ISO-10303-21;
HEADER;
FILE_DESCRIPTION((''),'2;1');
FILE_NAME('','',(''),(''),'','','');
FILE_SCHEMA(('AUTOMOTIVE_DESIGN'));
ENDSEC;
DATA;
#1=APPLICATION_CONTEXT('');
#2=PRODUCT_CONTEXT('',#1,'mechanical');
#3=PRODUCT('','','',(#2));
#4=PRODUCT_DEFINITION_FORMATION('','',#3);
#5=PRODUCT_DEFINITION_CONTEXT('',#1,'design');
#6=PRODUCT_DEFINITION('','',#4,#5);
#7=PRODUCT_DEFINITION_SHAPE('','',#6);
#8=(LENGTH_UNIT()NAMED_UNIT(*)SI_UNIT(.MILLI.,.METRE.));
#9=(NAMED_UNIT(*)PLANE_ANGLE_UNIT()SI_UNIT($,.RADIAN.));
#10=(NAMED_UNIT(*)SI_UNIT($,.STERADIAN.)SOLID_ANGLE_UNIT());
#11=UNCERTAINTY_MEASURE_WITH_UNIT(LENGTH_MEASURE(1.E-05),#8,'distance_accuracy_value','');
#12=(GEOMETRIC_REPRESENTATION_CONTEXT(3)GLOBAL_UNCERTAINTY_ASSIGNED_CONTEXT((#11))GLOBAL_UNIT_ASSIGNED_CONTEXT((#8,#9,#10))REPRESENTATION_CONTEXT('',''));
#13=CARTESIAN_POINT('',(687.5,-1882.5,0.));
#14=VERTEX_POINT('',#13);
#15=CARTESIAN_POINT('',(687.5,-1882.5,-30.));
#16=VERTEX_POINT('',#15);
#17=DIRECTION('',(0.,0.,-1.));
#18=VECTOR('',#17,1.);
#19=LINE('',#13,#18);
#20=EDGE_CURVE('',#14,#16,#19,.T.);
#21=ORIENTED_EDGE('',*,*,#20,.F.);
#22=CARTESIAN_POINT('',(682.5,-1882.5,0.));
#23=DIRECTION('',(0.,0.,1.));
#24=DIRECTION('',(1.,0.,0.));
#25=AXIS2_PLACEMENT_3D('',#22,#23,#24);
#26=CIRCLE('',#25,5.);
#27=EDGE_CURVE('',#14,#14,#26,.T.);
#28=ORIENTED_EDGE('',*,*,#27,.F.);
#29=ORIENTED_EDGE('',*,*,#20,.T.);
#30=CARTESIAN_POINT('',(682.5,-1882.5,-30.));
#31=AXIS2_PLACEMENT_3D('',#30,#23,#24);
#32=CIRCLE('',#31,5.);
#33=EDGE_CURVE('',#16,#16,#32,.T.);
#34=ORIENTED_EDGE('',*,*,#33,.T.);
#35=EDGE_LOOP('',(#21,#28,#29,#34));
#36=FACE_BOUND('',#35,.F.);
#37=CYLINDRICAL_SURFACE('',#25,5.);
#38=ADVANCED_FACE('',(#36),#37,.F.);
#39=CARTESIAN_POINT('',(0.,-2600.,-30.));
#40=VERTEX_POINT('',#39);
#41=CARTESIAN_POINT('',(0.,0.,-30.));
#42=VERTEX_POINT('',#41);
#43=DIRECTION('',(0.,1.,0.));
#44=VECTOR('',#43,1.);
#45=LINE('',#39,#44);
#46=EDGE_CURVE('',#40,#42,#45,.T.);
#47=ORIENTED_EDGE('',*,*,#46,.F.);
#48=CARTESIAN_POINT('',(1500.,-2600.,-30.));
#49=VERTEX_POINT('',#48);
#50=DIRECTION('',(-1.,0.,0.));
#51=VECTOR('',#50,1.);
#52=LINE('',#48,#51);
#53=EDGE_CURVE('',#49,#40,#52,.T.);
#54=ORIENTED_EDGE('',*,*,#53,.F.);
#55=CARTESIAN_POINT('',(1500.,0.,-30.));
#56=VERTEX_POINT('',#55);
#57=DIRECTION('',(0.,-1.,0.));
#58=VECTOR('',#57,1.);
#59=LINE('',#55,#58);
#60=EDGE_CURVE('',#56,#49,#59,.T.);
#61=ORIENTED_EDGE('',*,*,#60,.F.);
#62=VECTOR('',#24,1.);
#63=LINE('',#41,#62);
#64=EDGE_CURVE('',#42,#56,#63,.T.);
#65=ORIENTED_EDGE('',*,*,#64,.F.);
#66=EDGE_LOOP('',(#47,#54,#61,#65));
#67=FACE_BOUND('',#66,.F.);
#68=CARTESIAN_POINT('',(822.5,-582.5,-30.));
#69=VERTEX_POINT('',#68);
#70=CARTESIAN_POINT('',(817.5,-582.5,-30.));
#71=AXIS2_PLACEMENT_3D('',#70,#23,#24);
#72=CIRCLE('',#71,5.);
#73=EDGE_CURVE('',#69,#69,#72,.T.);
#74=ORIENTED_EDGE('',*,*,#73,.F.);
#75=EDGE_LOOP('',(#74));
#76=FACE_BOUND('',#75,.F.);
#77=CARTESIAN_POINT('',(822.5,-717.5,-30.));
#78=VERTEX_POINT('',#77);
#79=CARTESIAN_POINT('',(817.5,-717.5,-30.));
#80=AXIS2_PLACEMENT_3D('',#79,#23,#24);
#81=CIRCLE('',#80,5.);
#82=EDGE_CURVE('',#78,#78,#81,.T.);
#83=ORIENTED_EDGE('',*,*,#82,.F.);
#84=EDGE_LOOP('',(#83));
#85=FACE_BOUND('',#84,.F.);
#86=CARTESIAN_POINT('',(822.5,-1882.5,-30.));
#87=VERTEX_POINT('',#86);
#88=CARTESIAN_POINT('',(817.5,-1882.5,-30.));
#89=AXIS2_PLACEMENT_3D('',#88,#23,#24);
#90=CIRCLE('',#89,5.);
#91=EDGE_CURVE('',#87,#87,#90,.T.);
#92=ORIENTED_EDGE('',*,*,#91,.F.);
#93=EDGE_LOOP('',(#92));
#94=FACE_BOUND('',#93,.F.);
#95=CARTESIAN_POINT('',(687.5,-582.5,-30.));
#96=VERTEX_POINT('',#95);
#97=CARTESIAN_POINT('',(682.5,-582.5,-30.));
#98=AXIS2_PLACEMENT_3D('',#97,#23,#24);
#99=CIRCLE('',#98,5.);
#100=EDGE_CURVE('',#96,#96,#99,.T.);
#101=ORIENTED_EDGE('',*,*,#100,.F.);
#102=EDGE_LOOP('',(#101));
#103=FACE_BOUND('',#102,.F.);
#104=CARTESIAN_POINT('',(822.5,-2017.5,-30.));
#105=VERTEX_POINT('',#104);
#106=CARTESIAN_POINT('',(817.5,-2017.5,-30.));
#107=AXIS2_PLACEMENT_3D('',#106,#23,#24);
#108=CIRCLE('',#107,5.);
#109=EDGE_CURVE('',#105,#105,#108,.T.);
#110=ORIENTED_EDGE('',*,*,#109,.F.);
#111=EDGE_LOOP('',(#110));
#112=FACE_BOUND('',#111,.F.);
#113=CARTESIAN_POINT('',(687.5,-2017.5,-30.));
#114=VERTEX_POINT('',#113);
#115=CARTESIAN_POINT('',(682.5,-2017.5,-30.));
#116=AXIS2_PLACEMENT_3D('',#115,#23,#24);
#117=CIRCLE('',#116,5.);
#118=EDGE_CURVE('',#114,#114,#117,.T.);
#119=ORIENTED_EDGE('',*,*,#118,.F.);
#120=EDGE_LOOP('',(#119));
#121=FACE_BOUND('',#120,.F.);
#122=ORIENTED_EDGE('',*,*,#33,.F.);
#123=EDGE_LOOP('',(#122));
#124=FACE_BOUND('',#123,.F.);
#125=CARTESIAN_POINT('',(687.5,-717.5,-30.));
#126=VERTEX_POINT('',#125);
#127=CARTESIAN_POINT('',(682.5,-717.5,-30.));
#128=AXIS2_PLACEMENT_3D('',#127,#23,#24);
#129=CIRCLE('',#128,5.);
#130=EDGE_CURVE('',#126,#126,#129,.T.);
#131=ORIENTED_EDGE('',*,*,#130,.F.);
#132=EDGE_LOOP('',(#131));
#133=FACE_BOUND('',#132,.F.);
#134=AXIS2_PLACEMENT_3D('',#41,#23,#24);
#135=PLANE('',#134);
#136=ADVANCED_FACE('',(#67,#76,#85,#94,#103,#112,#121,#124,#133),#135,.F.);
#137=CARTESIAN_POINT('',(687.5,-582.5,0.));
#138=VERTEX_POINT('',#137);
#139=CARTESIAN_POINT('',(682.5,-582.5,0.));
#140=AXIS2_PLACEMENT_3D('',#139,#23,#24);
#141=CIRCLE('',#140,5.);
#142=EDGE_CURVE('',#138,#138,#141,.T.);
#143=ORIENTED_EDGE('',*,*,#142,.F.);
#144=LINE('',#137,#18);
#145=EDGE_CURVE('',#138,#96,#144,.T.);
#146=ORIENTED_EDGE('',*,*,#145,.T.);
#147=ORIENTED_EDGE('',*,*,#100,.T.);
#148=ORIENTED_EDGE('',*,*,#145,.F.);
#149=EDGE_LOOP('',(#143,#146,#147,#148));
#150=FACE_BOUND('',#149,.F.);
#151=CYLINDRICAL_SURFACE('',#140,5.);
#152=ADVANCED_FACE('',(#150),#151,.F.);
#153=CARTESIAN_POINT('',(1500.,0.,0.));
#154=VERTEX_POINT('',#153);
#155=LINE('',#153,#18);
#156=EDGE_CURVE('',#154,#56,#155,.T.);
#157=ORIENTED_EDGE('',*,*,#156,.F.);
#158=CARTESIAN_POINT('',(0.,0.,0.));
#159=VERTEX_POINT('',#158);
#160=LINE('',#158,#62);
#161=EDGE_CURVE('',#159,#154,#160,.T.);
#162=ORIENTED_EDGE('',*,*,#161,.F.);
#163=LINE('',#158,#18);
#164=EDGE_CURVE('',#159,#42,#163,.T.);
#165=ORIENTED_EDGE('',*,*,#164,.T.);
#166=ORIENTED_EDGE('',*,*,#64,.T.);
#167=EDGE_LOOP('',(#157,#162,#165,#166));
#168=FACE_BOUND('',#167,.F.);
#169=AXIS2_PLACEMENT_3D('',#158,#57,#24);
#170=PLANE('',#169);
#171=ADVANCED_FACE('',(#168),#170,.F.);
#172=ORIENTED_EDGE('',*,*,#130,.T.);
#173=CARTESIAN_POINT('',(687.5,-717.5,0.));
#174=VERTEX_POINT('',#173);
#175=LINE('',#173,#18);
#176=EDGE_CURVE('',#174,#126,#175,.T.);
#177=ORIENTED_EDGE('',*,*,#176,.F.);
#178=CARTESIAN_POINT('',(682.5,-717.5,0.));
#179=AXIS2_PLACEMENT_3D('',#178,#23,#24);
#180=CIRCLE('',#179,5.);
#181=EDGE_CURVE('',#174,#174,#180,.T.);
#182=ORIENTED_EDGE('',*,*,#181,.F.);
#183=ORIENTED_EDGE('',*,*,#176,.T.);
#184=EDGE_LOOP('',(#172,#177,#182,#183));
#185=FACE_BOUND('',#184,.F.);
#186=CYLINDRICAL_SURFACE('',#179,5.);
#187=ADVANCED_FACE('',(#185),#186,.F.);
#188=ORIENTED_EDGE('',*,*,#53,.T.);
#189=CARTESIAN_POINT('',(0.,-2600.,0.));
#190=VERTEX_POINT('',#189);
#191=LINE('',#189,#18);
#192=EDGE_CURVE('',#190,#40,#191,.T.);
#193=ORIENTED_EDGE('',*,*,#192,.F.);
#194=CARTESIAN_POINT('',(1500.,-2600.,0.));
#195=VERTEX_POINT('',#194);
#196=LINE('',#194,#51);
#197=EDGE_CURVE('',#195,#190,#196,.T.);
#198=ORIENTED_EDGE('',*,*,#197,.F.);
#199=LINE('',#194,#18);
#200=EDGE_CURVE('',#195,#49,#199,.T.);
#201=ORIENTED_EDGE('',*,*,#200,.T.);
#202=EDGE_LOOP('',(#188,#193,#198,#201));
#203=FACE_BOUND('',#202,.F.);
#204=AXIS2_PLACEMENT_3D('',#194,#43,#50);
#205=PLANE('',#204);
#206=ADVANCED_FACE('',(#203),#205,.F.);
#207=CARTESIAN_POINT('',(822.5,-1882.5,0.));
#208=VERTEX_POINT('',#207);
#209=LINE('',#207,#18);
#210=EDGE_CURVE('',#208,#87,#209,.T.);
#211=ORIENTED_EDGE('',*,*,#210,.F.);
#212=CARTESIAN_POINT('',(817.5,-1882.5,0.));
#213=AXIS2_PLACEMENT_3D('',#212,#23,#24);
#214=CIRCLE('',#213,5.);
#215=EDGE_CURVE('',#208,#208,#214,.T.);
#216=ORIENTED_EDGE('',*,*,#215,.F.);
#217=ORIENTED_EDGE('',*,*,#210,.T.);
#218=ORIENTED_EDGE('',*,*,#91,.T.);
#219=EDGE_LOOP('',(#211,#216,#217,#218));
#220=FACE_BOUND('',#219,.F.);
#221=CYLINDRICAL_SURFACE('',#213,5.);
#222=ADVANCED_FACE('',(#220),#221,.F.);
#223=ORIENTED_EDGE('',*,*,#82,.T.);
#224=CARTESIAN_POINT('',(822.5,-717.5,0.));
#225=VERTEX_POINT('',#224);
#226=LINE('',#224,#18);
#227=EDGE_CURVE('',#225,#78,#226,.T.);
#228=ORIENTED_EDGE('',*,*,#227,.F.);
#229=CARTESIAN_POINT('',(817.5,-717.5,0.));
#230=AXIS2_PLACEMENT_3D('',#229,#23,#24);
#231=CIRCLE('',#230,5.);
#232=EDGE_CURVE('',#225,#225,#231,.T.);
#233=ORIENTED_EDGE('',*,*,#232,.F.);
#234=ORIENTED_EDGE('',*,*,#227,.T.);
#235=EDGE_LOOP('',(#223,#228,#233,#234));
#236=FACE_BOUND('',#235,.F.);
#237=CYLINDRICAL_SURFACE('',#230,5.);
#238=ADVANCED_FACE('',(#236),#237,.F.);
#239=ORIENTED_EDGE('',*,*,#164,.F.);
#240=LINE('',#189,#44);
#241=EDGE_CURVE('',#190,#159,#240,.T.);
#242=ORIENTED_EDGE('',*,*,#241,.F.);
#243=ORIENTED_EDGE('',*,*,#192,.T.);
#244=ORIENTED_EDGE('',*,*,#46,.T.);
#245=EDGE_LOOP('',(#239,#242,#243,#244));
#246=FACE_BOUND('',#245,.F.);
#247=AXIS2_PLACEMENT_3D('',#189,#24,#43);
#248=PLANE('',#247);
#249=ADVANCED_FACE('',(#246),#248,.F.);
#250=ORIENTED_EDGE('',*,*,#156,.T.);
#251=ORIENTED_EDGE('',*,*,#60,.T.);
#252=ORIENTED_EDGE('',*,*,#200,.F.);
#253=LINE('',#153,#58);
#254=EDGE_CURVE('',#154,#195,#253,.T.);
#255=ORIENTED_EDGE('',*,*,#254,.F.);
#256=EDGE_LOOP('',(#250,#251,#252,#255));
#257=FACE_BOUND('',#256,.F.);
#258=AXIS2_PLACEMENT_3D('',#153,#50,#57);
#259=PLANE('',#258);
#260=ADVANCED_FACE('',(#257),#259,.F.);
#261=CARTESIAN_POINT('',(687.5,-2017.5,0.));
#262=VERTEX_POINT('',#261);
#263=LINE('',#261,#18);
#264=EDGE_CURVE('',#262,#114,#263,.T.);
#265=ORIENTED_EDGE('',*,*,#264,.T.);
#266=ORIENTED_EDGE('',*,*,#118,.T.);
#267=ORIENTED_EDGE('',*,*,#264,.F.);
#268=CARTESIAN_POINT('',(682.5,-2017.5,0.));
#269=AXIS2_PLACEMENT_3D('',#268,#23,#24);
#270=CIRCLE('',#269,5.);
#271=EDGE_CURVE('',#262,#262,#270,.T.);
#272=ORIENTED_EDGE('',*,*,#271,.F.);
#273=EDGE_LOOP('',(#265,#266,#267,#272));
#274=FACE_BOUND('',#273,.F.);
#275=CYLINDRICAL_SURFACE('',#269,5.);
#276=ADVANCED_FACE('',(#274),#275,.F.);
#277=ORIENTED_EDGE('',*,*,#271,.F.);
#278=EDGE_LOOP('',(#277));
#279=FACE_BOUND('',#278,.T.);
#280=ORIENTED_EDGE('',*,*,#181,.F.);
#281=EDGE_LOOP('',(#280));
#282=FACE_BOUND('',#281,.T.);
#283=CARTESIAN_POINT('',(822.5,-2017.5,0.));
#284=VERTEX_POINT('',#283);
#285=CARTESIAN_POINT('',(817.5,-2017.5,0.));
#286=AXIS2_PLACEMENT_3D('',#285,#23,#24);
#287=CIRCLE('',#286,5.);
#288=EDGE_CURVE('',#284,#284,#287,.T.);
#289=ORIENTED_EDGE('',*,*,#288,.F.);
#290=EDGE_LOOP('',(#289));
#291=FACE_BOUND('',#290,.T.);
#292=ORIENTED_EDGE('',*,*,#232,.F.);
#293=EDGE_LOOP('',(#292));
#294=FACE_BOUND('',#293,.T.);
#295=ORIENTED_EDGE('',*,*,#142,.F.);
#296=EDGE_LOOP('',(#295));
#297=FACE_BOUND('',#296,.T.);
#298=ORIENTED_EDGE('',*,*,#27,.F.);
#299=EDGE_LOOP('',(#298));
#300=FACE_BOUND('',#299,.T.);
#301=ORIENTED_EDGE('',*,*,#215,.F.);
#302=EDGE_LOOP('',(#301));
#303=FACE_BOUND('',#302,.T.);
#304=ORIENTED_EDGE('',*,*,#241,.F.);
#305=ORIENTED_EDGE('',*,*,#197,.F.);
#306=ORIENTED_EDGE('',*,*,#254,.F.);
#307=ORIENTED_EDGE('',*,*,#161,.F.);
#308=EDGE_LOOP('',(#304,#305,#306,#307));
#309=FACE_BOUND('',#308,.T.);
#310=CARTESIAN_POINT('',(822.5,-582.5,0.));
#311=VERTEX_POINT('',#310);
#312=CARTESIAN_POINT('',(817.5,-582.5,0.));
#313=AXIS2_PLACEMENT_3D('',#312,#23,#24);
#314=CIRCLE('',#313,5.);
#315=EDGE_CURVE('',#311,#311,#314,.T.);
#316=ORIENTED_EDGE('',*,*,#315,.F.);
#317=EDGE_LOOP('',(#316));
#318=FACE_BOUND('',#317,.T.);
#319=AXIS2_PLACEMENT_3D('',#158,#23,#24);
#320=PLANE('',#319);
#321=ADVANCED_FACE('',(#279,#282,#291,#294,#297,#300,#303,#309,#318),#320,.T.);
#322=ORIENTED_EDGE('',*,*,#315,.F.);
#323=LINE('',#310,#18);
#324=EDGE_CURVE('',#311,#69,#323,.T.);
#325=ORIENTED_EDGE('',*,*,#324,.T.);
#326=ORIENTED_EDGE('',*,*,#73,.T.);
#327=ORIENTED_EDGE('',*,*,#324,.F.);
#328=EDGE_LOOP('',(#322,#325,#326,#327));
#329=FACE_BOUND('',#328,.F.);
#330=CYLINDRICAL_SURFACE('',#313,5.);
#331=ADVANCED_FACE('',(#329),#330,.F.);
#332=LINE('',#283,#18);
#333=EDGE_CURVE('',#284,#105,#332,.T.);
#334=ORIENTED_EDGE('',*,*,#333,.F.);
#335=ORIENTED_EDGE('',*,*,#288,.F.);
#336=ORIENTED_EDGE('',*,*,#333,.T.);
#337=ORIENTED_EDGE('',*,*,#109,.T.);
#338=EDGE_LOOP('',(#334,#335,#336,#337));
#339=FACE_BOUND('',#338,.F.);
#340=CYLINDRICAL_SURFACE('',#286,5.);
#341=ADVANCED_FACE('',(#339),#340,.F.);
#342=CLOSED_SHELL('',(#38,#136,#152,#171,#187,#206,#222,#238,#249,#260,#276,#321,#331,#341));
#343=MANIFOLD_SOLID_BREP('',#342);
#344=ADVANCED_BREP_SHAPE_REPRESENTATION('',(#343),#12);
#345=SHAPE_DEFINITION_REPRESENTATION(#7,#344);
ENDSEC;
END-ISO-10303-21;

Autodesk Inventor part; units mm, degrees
ref_plane "YZ Plane" through (0, 0, 0) normal (1, 0, 0) x (0, 1, 0)
ref_plane "XZ Plane" through (0, 0, 0) normal (0, 1, 0) x (-1, 0, 0)
ref_plane "XY Plane" through (0, 0, 0) normal (0, 0, 1) x (1, 0, 0)
sketch "Sketch1" plane through (0, 0, 0) normal (0, 0, 1) x (1, 0, 0)
  line L0 (0, 0) -> (1500, 0)
  line L1 (1500, 0) -> (1500, -2600)
  line L2 (1500, -2600) -> (0, -2600)
  line L3 (0, -2600) -> (0, 0)
  line L4 (682.5, -1882.5) -> (817.5, -1882.5) construction
  line L5 (817.5, -1882.5) -> (817.5, -2017.5) construction
  line L6 (817.5, -2017.5) -> (682.5, -2017.5) construction
  line L7 (682.5, -2017.5) -> (682.5, -1882.5) construction
  circle A0 centre (682.5, -1882.5) radius 5
  circle A1 centre (817.5, -1882.5) radius 5
  circle A2 centre (817.5, -2017.5) radius 5
  circle A3 centre (682.5, -2017.5) radius 5
  line L8 (682.5, -1882.5) -> (817.5, -2017.5) construction
  line L9 (817.5, -1882.5) -> (682.5, -2017.5) construction
  circle A4 centre (750, -1950) radius 505 construction
  circle A5 centre (750, -650) radius 505 construction
  line L10 (0, -1300) -> (1500, -1300) construction
  line L11 (682.5, -717.5) -> (817.5, -717.5) construction
  line L12 (817.5, -717.5) -> (817.5, -582.5) construction
  line L13 (817.5, -582.5) -> (682.5, -582.5) construction
  line L14 (682.5, -582.5) -> (682.5, -717.5) construction
  circle A6 centre (682.5, -717.5) radius 5
  circle A7 centre (817.5, -717.5) radius 5
  circle A8 centre (817.5, -582.5) radius 5
  circle A9 centre (682.5, -582.5) radius 5
  line L15 (682.5, -717.5) -> (817.5, -582.5) construction
  line L16 (817.5, -717.5) -> (682.5, -582.5) construction
  dimension "d0" = 1500
  dimension "d1" = 2600
  dimension "d4" = 135
  dimension "d5" = 135
  dimension "d6" = 10
  dimension "d7" = 10
  dimension "d8" = 10
  dimension "d9" = 10
  dimension "d10" = 1010
  dimension "d13" = 45
  dimension "d14" = 650
  dimension "d15" = 1010
  dimension "d16" = 650
  dimension "d17" = 750
  dimension "d18" = 750
extrude "Extrusion1" add sketch "Sketch1" against normal blind 30
sketch "Sketch2" plane through (0, 0, 0) normal (0, 0, 1) x (1, 0, 0)
  circle A0 centre (750, -1950) radius 505 construction
  circle A1 centre (750, -650) radius 505 construction
  point P0 (0, 0)
equation "\"d0\" = comprimento"
equation "\"d1\" = largura"
equation "\"d7\" = d6"
equation "\"d8\" = d6"
equation "\"d9\" = d6"
equation "\"d14\" = distDenso"
equation "\"d15\" = d10"
equation "\"d16\" = d14"
equation "\"d17\" = d18"
equation "\"d18\" = 0.5 * d0"
equation "\"largura\" = 2600"
equation "\"comprimento\" = 1500"
equation "\"distDenso\" = 650"
properties part number "madeiraMesa"
